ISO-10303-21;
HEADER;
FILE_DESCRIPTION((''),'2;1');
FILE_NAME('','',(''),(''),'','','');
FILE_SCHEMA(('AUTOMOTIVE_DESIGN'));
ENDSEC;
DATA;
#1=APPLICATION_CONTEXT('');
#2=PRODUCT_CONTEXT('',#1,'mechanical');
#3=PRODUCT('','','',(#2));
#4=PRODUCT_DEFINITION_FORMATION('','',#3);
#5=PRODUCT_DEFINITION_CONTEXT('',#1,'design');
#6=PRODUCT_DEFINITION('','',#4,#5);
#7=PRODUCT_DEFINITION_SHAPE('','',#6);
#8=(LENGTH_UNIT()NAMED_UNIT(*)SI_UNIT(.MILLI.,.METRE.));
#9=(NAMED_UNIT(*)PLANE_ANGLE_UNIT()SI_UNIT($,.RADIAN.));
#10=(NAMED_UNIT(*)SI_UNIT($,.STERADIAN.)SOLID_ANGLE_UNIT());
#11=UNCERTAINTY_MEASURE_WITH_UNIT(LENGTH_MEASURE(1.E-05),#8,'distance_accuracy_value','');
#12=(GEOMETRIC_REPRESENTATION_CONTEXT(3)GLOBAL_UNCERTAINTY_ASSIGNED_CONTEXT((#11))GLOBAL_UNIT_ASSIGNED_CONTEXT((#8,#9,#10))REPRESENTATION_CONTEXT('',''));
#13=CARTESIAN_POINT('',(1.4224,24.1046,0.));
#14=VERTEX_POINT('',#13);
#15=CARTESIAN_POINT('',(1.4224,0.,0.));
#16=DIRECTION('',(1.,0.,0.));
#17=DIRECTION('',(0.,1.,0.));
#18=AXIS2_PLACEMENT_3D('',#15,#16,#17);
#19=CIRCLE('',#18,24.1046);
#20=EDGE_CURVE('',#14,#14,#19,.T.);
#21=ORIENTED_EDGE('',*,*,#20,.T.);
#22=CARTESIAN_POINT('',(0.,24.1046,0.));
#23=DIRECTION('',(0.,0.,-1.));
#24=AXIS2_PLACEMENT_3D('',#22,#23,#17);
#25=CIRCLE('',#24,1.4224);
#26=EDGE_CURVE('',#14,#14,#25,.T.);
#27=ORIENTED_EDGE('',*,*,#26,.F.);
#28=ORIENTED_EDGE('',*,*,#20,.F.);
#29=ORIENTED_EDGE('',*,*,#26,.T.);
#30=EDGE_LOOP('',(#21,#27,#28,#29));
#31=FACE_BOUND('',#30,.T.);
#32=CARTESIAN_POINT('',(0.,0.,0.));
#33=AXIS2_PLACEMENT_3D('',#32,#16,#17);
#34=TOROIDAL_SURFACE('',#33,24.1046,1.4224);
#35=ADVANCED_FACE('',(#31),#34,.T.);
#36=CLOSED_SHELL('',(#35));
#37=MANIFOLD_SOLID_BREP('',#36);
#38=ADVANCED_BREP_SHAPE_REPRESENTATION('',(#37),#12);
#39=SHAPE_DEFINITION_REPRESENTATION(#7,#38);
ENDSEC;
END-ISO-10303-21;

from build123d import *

# Parameters (mm, degrees)
F1_R = 1.4224


with BuildPart() as f2:
    # F2: sweep along a path in F0
    with BuildLine(Plane.YZ) as f2_path:
        CenterArc((0, 0), 25.527, 0, 360)
    # F1 (on Top) → F2 (sweep)
    with BuildSketch(Plane.XY):
        with Locations((0, 24.1046)):
            Circle(F1_R)
    sweep(path=f2_path.line)


solid = f2.part
